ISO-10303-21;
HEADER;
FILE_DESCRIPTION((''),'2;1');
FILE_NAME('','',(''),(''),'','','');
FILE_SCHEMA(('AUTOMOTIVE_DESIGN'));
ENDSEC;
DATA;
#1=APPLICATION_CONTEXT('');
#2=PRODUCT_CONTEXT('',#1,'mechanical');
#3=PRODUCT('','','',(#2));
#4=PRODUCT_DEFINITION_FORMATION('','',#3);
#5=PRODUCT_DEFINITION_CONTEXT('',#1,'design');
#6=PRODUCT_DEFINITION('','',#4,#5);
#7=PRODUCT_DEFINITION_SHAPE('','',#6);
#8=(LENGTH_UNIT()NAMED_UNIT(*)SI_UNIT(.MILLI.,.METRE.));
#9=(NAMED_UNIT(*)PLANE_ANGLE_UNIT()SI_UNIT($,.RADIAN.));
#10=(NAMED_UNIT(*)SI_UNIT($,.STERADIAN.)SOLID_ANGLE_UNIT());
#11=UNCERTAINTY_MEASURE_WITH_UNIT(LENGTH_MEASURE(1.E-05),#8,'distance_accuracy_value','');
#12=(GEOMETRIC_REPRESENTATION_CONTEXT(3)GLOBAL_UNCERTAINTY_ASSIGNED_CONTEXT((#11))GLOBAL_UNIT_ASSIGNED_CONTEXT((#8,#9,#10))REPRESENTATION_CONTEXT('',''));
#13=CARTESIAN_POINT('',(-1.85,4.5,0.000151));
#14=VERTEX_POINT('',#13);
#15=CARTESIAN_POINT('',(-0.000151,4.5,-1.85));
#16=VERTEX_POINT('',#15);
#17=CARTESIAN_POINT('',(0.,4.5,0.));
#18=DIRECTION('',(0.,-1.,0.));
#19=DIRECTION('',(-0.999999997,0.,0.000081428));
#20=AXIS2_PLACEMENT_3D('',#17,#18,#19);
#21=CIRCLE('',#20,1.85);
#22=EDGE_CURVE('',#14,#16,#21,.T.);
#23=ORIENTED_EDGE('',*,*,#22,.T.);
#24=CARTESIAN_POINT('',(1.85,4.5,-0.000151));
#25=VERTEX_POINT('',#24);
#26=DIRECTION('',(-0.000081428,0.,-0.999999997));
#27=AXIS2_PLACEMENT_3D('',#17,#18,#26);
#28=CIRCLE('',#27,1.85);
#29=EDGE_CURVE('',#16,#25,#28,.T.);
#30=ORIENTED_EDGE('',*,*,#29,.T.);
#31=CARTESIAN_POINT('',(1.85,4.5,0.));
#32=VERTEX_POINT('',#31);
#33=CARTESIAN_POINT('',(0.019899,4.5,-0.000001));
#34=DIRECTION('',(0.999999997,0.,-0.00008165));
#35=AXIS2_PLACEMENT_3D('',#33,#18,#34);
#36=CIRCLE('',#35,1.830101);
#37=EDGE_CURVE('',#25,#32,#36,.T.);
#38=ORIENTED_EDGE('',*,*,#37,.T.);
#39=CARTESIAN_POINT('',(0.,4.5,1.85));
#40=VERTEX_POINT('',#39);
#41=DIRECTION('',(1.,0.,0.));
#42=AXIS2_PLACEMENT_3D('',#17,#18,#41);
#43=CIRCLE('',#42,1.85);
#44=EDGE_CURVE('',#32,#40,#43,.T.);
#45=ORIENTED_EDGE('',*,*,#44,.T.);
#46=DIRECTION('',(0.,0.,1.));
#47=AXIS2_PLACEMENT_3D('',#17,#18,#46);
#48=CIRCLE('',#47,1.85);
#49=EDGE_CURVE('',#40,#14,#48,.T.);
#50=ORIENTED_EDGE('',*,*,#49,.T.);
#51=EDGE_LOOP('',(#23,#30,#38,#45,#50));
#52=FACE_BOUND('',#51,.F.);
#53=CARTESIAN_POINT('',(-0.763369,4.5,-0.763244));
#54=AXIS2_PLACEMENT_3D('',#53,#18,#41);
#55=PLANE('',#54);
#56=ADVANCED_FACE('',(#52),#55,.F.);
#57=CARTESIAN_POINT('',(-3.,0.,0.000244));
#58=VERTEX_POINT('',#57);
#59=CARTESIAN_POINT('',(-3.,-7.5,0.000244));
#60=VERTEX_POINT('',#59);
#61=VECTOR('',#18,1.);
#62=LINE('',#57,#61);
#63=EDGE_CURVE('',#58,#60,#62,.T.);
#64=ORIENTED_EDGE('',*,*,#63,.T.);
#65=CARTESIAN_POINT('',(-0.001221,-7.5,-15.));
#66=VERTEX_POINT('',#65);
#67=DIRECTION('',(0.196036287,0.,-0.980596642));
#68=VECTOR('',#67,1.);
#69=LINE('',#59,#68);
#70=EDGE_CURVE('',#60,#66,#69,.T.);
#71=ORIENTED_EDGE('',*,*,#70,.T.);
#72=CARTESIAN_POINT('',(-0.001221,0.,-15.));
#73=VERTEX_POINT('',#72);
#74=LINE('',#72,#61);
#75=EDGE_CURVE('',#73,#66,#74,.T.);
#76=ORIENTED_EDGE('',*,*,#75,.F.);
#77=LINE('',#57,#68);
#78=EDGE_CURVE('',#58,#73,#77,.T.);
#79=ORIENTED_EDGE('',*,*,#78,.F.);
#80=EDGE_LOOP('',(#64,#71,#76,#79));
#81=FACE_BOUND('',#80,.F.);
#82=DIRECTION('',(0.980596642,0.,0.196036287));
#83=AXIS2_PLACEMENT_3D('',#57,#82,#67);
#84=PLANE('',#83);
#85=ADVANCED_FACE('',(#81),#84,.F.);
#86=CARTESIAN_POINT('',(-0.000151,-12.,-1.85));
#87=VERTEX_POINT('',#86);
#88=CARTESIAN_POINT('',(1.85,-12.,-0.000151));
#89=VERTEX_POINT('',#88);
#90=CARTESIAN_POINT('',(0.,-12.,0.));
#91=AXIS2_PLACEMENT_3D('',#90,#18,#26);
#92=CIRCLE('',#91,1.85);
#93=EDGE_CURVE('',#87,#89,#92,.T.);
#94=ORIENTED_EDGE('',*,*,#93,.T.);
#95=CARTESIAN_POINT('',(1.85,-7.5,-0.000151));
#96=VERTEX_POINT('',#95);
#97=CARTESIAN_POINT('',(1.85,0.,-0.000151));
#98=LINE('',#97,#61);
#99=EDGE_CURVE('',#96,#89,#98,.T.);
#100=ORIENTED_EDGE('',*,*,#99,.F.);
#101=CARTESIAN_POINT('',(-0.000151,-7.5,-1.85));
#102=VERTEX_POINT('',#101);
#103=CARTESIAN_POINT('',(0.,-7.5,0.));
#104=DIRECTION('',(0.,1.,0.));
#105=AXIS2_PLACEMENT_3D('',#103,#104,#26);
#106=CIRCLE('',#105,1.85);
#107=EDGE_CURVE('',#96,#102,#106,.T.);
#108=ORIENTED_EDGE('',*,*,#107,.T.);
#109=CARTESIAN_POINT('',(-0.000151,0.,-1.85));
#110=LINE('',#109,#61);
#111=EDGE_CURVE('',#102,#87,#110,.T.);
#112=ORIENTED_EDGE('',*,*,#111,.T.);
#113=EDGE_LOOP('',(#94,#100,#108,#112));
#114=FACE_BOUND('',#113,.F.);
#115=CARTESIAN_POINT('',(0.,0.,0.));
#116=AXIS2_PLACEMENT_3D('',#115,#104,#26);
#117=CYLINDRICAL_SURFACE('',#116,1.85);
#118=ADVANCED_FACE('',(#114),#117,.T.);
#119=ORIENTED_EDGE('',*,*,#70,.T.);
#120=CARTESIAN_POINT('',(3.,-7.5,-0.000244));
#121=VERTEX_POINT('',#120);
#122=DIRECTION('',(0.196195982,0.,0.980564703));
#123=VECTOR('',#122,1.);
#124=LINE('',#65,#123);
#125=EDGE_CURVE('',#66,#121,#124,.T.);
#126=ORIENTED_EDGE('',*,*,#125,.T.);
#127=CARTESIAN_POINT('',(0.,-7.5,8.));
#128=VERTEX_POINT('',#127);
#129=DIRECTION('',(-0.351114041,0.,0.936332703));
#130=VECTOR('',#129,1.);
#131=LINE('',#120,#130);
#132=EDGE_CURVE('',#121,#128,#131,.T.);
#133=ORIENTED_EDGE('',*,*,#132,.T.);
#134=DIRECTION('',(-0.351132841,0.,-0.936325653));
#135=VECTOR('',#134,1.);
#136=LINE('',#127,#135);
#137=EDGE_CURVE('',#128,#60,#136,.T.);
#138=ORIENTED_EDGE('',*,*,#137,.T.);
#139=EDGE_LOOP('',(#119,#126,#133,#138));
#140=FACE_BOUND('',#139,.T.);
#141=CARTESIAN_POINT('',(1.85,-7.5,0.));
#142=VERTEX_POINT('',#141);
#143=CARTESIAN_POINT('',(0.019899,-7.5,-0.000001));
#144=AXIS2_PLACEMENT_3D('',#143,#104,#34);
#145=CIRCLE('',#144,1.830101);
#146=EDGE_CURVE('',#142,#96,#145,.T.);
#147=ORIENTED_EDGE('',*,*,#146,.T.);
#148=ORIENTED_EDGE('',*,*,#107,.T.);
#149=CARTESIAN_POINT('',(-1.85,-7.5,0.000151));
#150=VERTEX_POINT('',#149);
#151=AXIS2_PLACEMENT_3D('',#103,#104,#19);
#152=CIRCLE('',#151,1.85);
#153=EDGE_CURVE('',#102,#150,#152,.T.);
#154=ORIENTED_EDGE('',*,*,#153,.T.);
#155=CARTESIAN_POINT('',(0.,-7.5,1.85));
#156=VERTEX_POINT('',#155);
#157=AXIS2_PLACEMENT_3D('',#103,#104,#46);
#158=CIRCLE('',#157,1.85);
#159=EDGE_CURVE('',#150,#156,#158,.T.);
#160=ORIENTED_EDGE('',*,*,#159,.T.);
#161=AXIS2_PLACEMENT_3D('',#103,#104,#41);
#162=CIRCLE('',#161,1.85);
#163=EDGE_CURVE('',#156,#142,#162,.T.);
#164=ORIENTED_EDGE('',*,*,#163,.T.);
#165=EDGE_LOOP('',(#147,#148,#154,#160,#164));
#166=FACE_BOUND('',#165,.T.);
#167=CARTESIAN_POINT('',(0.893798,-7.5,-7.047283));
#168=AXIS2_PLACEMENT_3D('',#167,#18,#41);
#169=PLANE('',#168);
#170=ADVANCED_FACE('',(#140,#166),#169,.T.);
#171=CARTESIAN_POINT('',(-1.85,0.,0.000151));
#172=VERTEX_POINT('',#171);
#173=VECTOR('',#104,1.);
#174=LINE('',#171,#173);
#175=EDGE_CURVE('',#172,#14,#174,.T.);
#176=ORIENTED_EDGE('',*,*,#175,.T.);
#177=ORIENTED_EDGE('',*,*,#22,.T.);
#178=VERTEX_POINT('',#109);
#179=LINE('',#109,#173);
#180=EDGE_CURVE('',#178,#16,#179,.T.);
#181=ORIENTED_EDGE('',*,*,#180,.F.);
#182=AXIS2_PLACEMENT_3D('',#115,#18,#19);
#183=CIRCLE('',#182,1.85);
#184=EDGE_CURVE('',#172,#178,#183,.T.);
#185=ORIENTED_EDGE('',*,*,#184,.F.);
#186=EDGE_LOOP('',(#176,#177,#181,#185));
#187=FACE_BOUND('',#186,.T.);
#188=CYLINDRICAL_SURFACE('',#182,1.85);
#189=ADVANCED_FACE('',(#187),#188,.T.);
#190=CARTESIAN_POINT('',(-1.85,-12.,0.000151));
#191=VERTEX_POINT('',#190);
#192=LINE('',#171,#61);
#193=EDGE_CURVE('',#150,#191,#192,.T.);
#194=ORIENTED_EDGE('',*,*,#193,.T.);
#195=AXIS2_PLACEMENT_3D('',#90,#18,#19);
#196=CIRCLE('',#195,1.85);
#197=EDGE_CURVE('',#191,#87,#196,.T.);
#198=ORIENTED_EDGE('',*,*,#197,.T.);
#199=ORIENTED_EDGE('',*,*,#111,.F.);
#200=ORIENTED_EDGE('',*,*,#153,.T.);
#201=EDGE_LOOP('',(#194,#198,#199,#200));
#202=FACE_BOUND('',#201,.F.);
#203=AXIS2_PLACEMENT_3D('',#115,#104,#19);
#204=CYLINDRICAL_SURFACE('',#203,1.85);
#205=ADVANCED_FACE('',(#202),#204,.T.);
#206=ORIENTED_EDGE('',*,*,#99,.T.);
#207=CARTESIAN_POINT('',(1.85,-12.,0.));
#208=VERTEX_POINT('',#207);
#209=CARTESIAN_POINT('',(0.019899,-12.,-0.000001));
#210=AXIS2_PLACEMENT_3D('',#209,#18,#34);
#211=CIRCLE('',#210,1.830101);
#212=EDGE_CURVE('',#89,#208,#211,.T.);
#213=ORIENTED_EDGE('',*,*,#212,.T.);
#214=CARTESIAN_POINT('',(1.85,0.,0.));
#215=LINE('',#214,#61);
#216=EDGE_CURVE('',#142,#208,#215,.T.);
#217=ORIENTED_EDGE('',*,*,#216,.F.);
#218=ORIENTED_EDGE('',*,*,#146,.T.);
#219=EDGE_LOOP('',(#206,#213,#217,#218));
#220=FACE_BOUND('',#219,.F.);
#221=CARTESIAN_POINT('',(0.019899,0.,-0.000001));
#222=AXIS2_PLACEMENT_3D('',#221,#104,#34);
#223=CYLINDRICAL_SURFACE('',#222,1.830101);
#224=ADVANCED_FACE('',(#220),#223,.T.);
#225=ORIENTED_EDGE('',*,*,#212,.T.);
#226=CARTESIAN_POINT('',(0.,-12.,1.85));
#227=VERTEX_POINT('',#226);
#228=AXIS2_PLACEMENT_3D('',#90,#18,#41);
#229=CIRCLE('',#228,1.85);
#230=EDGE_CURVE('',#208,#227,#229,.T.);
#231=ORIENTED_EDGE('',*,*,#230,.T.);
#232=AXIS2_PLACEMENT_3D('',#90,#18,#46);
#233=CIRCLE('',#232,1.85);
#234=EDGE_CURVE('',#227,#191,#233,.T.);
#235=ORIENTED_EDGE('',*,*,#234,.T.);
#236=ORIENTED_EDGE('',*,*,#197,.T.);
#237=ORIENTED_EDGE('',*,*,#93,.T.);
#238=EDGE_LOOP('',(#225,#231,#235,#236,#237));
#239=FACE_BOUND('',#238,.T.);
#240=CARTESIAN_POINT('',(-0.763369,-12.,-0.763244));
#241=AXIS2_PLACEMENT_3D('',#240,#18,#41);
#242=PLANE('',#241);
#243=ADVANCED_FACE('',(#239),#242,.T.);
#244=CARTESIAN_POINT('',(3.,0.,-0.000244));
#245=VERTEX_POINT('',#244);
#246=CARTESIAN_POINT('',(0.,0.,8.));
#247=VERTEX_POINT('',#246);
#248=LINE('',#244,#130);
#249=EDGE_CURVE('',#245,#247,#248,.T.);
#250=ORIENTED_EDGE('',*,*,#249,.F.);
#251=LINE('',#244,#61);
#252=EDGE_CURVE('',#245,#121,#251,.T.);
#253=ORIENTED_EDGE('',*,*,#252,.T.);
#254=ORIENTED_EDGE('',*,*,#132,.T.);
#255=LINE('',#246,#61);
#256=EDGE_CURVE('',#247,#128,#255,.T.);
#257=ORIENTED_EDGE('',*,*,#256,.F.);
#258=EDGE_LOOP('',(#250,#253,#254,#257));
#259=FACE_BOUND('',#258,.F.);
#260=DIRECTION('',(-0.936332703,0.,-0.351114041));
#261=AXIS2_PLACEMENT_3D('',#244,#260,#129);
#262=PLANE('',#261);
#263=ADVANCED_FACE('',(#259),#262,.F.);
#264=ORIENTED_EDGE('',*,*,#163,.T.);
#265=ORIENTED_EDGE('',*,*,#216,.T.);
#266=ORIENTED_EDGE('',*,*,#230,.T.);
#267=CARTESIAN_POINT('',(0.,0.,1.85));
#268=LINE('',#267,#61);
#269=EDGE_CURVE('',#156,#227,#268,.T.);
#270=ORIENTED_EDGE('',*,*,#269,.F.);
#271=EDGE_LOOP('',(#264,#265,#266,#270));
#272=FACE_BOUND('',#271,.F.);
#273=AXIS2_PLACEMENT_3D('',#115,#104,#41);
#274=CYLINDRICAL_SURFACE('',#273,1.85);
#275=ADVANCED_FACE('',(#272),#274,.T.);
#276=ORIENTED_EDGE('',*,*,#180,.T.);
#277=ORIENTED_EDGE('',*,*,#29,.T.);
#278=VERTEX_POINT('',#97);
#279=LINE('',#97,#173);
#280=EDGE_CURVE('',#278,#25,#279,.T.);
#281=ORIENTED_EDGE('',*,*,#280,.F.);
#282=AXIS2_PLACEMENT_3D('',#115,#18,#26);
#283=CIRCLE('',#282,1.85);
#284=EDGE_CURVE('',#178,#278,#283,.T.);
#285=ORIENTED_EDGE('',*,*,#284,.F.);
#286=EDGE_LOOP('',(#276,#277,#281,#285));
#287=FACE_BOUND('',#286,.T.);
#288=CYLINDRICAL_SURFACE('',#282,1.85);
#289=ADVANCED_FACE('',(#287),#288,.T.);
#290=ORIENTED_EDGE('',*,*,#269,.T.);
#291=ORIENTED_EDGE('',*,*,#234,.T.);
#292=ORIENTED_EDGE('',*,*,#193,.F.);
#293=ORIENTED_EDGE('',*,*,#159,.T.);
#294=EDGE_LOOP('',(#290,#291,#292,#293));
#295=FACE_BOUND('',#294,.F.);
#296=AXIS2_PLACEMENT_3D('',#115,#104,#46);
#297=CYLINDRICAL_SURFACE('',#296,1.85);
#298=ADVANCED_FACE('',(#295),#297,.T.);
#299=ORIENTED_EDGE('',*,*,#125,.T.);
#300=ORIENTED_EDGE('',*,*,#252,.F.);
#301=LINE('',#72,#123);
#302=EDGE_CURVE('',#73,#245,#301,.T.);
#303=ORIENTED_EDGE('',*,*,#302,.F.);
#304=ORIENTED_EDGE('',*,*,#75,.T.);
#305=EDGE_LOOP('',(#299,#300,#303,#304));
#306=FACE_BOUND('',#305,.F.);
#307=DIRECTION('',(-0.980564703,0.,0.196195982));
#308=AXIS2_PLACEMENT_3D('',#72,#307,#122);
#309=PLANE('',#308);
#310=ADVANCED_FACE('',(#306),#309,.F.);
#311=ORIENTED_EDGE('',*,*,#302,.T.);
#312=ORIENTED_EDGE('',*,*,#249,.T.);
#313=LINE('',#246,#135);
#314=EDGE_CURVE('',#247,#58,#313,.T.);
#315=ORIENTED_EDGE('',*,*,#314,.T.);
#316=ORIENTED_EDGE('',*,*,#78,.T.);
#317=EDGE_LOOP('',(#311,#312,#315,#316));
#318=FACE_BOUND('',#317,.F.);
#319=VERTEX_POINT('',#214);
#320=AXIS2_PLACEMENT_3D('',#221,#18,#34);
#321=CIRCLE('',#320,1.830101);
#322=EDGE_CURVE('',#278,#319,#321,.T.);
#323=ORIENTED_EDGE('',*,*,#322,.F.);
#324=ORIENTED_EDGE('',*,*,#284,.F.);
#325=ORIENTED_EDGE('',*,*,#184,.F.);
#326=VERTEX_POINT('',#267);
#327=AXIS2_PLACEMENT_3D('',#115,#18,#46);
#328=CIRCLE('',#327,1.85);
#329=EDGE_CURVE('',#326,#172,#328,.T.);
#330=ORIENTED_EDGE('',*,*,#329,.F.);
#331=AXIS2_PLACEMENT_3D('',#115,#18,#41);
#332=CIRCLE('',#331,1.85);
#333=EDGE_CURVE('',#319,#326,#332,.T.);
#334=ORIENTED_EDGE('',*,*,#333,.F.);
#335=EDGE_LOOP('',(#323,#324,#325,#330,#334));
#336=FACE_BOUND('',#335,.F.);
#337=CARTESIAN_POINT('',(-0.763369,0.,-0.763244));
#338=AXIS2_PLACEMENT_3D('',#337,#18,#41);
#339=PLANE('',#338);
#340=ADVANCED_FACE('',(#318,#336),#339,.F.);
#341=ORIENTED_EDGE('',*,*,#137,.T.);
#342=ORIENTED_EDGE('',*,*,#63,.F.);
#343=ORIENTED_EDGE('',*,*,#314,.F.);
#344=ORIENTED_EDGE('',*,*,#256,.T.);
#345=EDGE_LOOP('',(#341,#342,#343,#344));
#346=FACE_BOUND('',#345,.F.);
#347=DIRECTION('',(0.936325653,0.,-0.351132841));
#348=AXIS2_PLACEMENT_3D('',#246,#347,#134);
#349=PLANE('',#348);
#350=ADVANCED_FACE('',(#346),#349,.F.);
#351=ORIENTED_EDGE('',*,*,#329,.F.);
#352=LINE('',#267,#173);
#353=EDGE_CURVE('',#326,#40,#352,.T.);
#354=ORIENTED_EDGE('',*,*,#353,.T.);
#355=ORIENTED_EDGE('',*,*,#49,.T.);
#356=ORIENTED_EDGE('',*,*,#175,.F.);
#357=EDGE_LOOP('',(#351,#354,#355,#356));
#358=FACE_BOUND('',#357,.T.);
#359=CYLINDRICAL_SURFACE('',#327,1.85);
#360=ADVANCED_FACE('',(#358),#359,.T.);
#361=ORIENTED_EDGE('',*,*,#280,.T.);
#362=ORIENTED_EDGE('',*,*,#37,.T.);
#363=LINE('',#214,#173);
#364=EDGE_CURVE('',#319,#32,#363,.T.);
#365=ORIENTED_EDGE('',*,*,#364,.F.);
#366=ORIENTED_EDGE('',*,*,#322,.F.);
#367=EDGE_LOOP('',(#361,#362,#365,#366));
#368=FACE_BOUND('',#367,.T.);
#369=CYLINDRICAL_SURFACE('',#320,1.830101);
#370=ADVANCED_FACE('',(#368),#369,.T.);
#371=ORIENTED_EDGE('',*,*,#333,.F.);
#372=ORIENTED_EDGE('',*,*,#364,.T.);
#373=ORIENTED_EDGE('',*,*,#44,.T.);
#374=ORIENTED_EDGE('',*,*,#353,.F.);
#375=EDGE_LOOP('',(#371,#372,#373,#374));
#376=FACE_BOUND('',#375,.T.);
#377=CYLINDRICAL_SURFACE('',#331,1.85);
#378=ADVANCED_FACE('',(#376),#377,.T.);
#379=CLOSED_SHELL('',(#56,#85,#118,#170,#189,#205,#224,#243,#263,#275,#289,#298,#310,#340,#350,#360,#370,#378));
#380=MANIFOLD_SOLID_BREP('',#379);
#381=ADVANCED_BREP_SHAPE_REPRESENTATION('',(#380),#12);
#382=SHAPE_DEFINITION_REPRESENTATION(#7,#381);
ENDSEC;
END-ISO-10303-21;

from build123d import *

# Parameters (mm, degrees)
F1_DEPTH      = 7.5
F2_DEPTH      = 12
F2_DEPTH_BACK = 4.5


with BuildPart() as f1:
    # F0 (on Front) → F1 (new body)
    with BuildSketch(Plane.XZ):
        with BuildLine():
            Line((2.9999999901, -0.0002442856), (1.8499999939, -0.0001506428))
            ThreePointArc((1.8499999939, -0.0001506428), (1.3080410203, -1.3082540614), (-0.0001506428, -1.8499999939))
            Line((-0.0001506428, -1.8499999939), (-0.0012214281, -14.9999999503))
            Line((-0.0012214281, -14.9999999503), (2.9999999901, -0.0002442856))
        make_face()
        with BuildLine():
            ThreePointArc((-0.0001506428, -1.8499999939), (-1.3082540614, -1.3080410203), (-1.8499999939, 0.0001506428))
            Line((-1.8499999939, 0.0001506428), (-2.9999999901, 0.0002442856))
            Line((-2.9999999901, 0.0002442856), (-0.0012214281, -14.9999999503))
            Line((-0.0012214281, -14.9999999503), (-0.0001506428, -1.8499999939))
        make_face()
        with BuildLine():
            Line((0, 0), (-1.8499999939, 0.0001506428))
            ThreePointArc((-1.8499999939, 0.0001506428), (-1.3082540614, -1.3080410203), (-0.0001506428, -1.8499999939))
            Line((-0.0001506428, -1.8499999939), (0, 0))
        make_face()
        with BuildLine():
            ThreePointArc((-0.0001506428, -1.8499999939), (1.3080410203, -1.3082540614), (1.8499999939, -0.0001506428))
            Line((1.8499999939, -0.0001506428), (0, 0))
            Line((0, 0), (-0.0001506428, -1.8499999939))
        make_face()
        with BuildLine():
            ThreePointArc((1.8499999939, -0.0001506428), (1.8499999985, -7.53214e-05), (1.85, 0))
            ThreePointArc((1.85, 0), (1.3081475452, 1.3081475452), (0, 1.85))
            Line((0, 1.85), (0, 0))
            Line((0, 0), (1.8499999939, -0.0001506428))
        make_face()
        with BuildLine():
            Line((0, 0), (0, 1.85))
            ThreePointArc((0, 1.85), (-1.3080942838, 1.3082008044), (-1.8499999939, 0.0001506428))
            Line((-1.8499999939, 0.0001506428), (0, 0))
        make_face()
        with BuildLine():
            ThreePointArc((-1.8499999939, 0.0001506428), (-1.3080942838, 1.3082008044), (0, 1.85))
            Line((0, 1.85), (0, 8))
            Line((0, 8), (-2.9999999901, 0.0002442856))
            Line((-2.9999999901, 0.0002442856), (-1.8499999939, 0.0001506428))
        make_face()
        with BuildLine():
            ThreePointArc((0, 1.85), (1.3081475452, 1.3081475452), (1.85, 0))
            ThreePointArc((1.85, 0), (1.8499999985, -7.53214e-05), (1.8499999939, -0.0001506428))
            Line((1.8499999939, -0.0001506428), (2.9999999901, -0.0002442856))
            Line((2.9999999901, -0.0002442856), (0, 8))
            Line((0, 8), (0, 1.85))
        make_face()
    extrude(amount=F1_DEPTH)

    # F0 (on Front) → F2 (join, two sides)
    with BuildSketch(Plane.XZ) as f2_sk:
        with BuildLine():
            Line((0, 0), (-1.8499999939, 0.0001506428))
            ThreePointArc((-1.8499999939, 0.0001506428), (-1.3082540614, -1.3080410203), (-0.0001506428, -1.8499999939))
            Line((-0.0001506428, -1.8499999939), (0, 0))
        make_face()
        with BuildLine():
            Line((0, 0), (0, 1.85))
            ThreePointArc((0, 1.85), (-1.3080942838, 1.3082008044), (-1.8499999939, 0.0001506428))
            Line((-1.8499999939, 0.0001506428), (0, 0))
        make_face()
        with BuildLine():
            ThreePointArc((1.8499999939, -0.0001506428), (1.8499999985, -7.53214e-05), (1.85, 0))
            ThreePointArc((1.85, 0), (1.3081475452, 1.3081475452), (0, 1.85))
            Line((0, 1.85), (0, 0))
            Line((0, 0), (1.8499999939, -0.0001506428))
        make_face()
        with BuildLine():
            ThreePointArc((-0.0001506428, -1.8499999939), (1.3080410203, -1.3082540614), (1.8499999939, -0.0001506428))
            Line((1.8499999939, -0.0001506428), (0, 0))
            Line((0, 0), (-0.0001506428, -1.8499999939))
        make_face()
    extrude(amount=F2_DEPTH)
    extrude(f2_sk.sketch, amount=-F2_DEPTH_BACK)


solid = f1.part
